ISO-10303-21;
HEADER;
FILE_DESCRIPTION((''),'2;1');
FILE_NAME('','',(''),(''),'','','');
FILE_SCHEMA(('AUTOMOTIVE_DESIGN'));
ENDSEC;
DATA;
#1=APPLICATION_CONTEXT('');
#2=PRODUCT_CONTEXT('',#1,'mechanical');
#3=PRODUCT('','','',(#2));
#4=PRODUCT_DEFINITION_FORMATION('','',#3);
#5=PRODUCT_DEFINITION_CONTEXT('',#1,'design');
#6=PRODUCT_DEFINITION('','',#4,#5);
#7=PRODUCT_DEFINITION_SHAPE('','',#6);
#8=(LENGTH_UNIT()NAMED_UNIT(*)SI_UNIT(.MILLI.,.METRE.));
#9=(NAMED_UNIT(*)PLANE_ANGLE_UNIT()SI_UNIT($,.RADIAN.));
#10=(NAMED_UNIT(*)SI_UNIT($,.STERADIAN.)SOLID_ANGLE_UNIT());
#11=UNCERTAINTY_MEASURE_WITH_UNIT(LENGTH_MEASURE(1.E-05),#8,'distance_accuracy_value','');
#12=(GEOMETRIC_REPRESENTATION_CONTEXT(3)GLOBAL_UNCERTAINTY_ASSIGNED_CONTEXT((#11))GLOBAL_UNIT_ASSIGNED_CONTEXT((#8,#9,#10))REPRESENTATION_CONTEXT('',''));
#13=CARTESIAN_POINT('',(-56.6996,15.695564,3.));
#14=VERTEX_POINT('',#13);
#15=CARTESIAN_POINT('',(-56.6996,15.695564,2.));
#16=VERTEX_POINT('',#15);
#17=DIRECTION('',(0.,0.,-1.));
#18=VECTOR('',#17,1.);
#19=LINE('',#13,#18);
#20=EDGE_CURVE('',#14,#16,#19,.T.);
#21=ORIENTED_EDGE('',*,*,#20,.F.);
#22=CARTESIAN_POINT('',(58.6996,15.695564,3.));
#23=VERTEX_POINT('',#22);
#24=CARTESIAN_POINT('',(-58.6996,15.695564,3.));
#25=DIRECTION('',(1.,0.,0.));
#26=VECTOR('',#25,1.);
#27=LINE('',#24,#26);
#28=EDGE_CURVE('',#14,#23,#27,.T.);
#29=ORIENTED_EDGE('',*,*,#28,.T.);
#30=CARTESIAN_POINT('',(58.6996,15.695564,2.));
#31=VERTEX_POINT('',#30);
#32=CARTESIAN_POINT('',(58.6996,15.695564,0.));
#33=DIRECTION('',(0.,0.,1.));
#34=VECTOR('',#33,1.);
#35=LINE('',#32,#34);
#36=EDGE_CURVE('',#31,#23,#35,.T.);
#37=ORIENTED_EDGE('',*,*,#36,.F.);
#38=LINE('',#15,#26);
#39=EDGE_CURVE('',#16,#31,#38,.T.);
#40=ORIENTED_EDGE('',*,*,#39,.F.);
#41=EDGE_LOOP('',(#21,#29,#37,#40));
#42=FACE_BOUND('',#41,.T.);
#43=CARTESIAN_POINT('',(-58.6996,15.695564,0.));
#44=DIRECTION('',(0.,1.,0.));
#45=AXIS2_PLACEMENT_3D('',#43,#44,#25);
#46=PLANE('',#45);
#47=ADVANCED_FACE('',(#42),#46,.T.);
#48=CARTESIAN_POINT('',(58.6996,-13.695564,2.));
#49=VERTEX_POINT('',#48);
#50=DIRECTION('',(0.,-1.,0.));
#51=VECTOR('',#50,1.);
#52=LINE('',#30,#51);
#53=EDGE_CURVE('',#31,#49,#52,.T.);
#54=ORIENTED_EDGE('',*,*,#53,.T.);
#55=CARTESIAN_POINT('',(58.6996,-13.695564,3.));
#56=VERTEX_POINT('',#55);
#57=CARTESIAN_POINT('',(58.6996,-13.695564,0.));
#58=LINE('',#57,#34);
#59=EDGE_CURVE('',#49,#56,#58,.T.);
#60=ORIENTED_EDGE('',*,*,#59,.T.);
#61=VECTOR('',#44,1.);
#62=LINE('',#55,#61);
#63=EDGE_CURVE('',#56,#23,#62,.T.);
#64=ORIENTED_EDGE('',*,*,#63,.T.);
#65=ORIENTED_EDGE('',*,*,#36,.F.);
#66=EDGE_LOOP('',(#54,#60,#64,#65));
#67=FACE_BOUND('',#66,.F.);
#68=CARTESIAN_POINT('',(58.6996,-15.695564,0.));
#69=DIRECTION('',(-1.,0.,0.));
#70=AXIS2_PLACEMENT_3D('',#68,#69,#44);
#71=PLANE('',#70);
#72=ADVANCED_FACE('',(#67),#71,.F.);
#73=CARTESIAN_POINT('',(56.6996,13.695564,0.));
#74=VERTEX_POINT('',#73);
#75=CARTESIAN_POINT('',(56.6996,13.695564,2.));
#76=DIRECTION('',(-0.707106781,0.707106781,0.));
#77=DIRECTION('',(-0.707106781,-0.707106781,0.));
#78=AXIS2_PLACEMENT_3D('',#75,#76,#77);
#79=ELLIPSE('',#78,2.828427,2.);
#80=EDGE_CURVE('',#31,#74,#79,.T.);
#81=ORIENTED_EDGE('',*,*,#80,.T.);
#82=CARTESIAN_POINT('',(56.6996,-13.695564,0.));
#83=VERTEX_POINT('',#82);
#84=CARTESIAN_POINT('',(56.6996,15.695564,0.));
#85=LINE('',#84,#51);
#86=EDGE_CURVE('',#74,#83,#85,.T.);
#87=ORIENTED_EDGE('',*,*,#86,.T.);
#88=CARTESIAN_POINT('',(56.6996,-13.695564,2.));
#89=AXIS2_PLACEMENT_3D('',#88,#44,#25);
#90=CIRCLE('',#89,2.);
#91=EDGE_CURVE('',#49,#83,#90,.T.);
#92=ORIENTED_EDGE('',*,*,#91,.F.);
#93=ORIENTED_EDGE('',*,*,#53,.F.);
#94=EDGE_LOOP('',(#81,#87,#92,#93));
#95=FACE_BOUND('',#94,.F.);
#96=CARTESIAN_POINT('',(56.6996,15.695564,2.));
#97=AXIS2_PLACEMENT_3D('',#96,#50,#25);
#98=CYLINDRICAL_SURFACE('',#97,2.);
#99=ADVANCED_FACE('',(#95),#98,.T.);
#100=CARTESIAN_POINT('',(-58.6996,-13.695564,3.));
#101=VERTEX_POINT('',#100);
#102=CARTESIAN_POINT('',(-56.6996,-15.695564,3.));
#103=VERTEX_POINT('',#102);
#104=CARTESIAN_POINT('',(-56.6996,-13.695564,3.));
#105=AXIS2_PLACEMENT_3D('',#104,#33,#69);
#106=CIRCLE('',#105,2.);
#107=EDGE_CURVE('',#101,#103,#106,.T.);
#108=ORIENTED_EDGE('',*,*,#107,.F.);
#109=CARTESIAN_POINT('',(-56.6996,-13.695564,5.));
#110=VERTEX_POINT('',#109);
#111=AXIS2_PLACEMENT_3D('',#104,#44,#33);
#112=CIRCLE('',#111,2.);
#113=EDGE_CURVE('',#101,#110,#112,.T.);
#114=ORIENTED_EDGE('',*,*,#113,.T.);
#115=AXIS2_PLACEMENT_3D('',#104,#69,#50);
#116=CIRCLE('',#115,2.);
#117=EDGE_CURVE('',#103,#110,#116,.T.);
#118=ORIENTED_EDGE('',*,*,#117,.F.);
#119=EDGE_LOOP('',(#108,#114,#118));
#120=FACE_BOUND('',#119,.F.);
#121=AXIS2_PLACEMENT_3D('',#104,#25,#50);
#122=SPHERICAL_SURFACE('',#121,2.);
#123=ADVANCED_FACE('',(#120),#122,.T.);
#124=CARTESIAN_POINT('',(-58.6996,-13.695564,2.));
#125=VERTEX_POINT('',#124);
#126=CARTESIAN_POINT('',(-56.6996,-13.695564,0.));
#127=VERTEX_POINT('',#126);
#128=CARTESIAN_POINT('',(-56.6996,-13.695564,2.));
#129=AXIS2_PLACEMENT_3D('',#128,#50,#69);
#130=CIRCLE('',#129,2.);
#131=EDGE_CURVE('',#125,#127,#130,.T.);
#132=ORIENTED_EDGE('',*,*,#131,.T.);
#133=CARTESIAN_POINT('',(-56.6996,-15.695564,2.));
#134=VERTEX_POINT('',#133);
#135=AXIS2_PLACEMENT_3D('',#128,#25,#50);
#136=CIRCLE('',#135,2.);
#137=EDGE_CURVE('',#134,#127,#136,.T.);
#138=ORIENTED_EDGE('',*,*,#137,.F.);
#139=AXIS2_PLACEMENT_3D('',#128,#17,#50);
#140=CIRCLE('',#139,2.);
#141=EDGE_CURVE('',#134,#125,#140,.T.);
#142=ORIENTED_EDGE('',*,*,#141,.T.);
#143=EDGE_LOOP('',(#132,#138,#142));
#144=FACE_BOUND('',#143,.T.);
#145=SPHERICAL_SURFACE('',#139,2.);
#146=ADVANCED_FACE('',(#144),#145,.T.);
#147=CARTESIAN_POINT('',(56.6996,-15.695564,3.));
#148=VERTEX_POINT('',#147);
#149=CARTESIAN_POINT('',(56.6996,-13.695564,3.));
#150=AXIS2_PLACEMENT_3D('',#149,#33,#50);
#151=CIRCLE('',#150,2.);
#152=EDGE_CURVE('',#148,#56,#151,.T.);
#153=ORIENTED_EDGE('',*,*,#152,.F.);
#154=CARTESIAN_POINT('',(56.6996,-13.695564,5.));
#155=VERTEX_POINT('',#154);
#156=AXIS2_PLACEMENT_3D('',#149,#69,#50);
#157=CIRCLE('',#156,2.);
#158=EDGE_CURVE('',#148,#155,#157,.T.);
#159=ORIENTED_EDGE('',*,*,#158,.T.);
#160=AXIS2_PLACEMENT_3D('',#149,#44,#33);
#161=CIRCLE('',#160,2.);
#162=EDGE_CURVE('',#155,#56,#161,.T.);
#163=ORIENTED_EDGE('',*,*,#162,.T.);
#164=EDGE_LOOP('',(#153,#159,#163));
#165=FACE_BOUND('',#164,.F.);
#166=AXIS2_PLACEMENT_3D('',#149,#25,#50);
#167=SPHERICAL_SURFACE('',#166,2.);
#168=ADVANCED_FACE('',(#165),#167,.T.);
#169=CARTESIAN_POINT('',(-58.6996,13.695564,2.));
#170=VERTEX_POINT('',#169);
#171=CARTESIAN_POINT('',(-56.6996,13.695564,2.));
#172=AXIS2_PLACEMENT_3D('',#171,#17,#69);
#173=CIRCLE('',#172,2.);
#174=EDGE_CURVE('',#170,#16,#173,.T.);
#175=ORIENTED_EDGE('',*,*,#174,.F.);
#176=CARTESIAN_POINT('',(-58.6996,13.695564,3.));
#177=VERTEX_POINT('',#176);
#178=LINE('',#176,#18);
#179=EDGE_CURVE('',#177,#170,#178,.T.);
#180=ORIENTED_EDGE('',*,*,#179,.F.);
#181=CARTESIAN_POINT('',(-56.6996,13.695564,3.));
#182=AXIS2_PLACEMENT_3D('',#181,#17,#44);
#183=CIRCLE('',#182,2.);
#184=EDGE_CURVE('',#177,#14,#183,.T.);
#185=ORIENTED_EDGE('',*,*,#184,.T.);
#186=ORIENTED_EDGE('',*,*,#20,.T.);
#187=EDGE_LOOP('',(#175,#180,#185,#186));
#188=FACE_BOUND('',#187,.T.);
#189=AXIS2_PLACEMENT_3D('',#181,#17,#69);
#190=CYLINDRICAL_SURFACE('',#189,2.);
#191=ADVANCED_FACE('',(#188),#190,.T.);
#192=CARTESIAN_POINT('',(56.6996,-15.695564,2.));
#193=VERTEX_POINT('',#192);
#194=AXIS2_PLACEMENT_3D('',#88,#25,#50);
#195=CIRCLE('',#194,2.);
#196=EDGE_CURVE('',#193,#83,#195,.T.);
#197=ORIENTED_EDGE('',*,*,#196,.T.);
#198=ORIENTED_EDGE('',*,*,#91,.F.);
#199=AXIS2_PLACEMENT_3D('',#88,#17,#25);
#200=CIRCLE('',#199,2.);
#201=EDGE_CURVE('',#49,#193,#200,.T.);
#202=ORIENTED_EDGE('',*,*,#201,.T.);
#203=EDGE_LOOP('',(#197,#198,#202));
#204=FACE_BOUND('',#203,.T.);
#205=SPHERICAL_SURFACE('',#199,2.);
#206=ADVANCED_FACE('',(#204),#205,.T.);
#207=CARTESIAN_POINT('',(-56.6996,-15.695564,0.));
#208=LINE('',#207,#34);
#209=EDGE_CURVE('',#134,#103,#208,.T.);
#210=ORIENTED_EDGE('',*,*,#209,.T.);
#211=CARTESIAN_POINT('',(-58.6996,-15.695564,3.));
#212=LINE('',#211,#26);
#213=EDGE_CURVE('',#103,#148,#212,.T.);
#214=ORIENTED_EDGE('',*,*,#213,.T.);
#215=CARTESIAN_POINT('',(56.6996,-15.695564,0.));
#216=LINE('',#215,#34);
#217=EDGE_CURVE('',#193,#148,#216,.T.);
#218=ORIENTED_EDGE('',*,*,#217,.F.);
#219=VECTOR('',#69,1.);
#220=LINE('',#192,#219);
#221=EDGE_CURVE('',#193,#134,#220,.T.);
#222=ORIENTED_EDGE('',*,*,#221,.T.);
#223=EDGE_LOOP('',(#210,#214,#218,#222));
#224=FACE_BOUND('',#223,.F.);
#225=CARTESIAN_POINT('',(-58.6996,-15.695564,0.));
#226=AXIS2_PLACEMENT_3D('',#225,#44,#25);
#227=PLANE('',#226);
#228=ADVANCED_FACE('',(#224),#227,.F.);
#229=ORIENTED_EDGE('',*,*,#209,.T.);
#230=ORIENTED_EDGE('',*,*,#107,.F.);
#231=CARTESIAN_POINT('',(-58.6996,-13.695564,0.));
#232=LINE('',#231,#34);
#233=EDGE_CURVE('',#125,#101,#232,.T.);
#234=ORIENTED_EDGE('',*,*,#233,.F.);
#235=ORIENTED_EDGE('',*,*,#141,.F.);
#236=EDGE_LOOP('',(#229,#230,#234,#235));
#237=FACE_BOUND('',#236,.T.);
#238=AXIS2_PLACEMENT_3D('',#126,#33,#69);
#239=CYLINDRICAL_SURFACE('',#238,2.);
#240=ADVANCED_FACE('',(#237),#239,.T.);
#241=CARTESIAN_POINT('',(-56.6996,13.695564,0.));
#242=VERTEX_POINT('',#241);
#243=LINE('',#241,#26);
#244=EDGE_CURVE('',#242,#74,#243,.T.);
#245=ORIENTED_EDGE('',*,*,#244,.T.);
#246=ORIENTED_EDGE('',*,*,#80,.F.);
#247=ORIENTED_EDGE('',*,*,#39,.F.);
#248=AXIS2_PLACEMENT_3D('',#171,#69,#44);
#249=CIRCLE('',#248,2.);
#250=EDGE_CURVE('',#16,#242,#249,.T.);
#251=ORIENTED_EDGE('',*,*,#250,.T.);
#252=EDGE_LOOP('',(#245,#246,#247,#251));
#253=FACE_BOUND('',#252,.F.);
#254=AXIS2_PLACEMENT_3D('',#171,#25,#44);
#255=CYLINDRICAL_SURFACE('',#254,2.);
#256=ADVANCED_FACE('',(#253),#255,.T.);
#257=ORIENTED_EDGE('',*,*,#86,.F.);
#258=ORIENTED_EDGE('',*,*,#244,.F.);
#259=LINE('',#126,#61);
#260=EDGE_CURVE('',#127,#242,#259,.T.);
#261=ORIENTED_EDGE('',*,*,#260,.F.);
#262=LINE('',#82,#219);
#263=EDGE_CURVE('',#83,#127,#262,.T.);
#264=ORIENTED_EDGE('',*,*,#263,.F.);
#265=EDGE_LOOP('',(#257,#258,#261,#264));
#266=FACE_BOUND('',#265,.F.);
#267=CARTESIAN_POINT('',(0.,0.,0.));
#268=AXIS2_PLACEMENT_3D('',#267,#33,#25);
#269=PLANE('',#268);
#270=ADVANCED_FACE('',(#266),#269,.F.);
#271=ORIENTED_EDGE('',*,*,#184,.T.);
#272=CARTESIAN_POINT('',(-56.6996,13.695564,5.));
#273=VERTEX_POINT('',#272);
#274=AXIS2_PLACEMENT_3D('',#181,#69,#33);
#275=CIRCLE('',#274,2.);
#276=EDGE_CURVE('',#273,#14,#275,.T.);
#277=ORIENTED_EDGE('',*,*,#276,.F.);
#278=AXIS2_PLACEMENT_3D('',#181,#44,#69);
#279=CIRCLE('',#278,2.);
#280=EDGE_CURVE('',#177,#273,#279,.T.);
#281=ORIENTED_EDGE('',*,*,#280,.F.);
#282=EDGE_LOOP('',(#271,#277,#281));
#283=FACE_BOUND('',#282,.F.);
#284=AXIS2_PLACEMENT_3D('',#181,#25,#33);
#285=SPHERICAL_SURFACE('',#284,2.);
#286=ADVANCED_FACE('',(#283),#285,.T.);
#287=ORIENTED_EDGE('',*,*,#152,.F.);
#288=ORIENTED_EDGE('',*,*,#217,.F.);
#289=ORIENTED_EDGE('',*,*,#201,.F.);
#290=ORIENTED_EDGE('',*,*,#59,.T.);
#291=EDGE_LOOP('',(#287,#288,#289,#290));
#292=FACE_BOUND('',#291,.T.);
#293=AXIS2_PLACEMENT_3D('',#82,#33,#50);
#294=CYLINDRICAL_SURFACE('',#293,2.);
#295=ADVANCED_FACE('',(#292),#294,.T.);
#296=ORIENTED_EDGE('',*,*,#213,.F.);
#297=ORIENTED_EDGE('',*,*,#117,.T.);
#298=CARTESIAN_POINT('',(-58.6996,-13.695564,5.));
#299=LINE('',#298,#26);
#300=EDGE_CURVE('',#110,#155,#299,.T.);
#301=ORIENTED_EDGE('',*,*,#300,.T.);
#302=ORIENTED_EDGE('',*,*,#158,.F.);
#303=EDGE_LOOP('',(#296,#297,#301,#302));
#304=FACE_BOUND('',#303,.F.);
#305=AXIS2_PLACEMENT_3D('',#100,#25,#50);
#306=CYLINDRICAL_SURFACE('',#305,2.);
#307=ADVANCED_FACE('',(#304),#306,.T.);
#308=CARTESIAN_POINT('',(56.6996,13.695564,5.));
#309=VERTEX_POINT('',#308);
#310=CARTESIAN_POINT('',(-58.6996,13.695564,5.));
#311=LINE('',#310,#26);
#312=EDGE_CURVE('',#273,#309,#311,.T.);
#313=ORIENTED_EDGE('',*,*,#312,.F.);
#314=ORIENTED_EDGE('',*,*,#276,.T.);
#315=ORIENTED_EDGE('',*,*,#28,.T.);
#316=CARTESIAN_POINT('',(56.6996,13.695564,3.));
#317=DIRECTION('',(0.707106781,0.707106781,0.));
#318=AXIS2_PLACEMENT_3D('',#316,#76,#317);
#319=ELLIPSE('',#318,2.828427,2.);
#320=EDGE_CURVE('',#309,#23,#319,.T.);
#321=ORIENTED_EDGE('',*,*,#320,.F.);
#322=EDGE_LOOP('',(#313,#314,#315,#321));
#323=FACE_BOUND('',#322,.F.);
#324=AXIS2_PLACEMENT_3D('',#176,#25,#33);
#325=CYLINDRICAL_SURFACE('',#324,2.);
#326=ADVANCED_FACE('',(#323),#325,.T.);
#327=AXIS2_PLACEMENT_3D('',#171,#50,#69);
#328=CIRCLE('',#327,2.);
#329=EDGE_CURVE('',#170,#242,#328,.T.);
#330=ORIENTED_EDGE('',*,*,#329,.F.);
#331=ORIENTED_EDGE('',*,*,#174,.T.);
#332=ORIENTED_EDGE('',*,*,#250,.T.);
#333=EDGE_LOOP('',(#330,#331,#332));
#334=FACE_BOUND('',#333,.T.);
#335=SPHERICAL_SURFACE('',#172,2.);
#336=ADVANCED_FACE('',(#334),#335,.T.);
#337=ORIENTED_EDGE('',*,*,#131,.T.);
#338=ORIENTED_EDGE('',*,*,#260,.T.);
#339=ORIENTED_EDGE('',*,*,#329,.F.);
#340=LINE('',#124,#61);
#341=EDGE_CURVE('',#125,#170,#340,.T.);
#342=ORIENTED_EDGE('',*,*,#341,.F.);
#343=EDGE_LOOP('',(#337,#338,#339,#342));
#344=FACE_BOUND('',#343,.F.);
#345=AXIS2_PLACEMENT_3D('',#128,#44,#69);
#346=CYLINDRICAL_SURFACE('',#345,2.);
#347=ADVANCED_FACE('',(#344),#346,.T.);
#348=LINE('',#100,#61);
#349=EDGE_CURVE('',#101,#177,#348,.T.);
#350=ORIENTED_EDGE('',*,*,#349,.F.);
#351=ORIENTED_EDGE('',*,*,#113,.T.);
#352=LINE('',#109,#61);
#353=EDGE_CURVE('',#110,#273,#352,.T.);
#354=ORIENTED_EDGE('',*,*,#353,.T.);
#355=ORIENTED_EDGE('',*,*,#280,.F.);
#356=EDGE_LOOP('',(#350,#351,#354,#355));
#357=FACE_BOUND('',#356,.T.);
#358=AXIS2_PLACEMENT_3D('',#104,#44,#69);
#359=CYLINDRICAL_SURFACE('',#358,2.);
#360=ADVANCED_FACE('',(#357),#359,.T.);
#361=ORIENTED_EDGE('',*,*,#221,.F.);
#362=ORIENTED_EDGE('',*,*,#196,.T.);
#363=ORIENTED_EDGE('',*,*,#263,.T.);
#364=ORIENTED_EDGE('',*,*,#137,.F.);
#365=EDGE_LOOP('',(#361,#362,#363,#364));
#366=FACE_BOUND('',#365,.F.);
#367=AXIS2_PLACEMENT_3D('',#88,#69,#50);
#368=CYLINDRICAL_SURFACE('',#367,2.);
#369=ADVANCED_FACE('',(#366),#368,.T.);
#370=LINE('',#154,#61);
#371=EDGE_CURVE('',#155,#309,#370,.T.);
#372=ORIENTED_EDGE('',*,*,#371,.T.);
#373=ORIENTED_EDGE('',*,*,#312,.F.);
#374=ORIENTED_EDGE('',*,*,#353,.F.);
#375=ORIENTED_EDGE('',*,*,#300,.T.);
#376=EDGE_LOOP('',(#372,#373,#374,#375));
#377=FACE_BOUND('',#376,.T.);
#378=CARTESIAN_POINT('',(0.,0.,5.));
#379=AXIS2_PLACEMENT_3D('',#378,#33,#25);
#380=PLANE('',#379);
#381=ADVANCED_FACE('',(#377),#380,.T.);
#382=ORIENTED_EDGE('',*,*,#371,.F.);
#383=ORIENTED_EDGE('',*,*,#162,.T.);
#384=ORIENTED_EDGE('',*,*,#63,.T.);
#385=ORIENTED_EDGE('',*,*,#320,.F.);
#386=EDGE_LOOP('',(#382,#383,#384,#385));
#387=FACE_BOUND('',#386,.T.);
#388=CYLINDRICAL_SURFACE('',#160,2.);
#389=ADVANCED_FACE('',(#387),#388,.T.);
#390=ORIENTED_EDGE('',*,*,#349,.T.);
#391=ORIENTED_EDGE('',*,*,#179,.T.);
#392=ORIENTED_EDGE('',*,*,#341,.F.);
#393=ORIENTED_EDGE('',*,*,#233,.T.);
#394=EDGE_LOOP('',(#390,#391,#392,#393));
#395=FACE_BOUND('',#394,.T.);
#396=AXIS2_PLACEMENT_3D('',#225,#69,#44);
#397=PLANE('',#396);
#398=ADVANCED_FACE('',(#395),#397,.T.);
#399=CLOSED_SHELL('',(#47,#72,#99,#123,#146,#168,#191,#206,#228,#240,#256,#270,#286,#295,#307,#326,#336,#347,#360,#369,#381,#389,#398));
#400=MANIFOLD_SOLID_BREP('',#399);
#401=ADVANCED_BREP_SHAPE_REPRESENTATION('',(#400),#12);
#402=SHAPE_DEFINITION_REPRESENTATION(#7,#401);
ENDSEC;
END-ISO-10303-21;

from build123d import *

# Parameters (mm, degrees)
F0_W     = 117.3992
F0_H     = 31.391128
F1_DEPTH = 5
F2_R     = 2
F3_R     = 2
F4_R     = 2
F5_R     = 2


with BuildPart() as f1:
    # F0 (on Top) → F1 (new body)
    with BuildSketch(Plane.XY):
        Rectangle(F0_W, F0_H)
    extrude(amount=F1_DEPTH)

    # F2
    f2_edges = [f1.edges().sort_by_distance(p)[0] for p in [
        (0, -15.695564, 5),
    ]]
    fillet(f2_edges, radius=F2_R)

    # F3
    f3_edges = [f1.edges().sort_by_distance(p)[0] for p in [
        (58.6996, 1, 5),
        (0, 15.695564, 5),
    ]]
    fillet(f3_edges, radius=F3_R)

    # F4
    f4_edges = [f1.edges().sort_by_distance(p)[0] for p in [
        (-58.6996, 0, 5),
    ]]
    fillet(f4_edges, radius=F4_R)

    # F5
    f5_edges = [f1.edges().sort_by_distance(p)[0] for p in [
        (-58.6996, 0, 0),
        (0, -15.695564, 0),
        (1, 15.695564, 0),
        (58.6996, 1, 0),
    ]]
    fillet(f5_edges, radius=F5_R)


solid = f1.part
